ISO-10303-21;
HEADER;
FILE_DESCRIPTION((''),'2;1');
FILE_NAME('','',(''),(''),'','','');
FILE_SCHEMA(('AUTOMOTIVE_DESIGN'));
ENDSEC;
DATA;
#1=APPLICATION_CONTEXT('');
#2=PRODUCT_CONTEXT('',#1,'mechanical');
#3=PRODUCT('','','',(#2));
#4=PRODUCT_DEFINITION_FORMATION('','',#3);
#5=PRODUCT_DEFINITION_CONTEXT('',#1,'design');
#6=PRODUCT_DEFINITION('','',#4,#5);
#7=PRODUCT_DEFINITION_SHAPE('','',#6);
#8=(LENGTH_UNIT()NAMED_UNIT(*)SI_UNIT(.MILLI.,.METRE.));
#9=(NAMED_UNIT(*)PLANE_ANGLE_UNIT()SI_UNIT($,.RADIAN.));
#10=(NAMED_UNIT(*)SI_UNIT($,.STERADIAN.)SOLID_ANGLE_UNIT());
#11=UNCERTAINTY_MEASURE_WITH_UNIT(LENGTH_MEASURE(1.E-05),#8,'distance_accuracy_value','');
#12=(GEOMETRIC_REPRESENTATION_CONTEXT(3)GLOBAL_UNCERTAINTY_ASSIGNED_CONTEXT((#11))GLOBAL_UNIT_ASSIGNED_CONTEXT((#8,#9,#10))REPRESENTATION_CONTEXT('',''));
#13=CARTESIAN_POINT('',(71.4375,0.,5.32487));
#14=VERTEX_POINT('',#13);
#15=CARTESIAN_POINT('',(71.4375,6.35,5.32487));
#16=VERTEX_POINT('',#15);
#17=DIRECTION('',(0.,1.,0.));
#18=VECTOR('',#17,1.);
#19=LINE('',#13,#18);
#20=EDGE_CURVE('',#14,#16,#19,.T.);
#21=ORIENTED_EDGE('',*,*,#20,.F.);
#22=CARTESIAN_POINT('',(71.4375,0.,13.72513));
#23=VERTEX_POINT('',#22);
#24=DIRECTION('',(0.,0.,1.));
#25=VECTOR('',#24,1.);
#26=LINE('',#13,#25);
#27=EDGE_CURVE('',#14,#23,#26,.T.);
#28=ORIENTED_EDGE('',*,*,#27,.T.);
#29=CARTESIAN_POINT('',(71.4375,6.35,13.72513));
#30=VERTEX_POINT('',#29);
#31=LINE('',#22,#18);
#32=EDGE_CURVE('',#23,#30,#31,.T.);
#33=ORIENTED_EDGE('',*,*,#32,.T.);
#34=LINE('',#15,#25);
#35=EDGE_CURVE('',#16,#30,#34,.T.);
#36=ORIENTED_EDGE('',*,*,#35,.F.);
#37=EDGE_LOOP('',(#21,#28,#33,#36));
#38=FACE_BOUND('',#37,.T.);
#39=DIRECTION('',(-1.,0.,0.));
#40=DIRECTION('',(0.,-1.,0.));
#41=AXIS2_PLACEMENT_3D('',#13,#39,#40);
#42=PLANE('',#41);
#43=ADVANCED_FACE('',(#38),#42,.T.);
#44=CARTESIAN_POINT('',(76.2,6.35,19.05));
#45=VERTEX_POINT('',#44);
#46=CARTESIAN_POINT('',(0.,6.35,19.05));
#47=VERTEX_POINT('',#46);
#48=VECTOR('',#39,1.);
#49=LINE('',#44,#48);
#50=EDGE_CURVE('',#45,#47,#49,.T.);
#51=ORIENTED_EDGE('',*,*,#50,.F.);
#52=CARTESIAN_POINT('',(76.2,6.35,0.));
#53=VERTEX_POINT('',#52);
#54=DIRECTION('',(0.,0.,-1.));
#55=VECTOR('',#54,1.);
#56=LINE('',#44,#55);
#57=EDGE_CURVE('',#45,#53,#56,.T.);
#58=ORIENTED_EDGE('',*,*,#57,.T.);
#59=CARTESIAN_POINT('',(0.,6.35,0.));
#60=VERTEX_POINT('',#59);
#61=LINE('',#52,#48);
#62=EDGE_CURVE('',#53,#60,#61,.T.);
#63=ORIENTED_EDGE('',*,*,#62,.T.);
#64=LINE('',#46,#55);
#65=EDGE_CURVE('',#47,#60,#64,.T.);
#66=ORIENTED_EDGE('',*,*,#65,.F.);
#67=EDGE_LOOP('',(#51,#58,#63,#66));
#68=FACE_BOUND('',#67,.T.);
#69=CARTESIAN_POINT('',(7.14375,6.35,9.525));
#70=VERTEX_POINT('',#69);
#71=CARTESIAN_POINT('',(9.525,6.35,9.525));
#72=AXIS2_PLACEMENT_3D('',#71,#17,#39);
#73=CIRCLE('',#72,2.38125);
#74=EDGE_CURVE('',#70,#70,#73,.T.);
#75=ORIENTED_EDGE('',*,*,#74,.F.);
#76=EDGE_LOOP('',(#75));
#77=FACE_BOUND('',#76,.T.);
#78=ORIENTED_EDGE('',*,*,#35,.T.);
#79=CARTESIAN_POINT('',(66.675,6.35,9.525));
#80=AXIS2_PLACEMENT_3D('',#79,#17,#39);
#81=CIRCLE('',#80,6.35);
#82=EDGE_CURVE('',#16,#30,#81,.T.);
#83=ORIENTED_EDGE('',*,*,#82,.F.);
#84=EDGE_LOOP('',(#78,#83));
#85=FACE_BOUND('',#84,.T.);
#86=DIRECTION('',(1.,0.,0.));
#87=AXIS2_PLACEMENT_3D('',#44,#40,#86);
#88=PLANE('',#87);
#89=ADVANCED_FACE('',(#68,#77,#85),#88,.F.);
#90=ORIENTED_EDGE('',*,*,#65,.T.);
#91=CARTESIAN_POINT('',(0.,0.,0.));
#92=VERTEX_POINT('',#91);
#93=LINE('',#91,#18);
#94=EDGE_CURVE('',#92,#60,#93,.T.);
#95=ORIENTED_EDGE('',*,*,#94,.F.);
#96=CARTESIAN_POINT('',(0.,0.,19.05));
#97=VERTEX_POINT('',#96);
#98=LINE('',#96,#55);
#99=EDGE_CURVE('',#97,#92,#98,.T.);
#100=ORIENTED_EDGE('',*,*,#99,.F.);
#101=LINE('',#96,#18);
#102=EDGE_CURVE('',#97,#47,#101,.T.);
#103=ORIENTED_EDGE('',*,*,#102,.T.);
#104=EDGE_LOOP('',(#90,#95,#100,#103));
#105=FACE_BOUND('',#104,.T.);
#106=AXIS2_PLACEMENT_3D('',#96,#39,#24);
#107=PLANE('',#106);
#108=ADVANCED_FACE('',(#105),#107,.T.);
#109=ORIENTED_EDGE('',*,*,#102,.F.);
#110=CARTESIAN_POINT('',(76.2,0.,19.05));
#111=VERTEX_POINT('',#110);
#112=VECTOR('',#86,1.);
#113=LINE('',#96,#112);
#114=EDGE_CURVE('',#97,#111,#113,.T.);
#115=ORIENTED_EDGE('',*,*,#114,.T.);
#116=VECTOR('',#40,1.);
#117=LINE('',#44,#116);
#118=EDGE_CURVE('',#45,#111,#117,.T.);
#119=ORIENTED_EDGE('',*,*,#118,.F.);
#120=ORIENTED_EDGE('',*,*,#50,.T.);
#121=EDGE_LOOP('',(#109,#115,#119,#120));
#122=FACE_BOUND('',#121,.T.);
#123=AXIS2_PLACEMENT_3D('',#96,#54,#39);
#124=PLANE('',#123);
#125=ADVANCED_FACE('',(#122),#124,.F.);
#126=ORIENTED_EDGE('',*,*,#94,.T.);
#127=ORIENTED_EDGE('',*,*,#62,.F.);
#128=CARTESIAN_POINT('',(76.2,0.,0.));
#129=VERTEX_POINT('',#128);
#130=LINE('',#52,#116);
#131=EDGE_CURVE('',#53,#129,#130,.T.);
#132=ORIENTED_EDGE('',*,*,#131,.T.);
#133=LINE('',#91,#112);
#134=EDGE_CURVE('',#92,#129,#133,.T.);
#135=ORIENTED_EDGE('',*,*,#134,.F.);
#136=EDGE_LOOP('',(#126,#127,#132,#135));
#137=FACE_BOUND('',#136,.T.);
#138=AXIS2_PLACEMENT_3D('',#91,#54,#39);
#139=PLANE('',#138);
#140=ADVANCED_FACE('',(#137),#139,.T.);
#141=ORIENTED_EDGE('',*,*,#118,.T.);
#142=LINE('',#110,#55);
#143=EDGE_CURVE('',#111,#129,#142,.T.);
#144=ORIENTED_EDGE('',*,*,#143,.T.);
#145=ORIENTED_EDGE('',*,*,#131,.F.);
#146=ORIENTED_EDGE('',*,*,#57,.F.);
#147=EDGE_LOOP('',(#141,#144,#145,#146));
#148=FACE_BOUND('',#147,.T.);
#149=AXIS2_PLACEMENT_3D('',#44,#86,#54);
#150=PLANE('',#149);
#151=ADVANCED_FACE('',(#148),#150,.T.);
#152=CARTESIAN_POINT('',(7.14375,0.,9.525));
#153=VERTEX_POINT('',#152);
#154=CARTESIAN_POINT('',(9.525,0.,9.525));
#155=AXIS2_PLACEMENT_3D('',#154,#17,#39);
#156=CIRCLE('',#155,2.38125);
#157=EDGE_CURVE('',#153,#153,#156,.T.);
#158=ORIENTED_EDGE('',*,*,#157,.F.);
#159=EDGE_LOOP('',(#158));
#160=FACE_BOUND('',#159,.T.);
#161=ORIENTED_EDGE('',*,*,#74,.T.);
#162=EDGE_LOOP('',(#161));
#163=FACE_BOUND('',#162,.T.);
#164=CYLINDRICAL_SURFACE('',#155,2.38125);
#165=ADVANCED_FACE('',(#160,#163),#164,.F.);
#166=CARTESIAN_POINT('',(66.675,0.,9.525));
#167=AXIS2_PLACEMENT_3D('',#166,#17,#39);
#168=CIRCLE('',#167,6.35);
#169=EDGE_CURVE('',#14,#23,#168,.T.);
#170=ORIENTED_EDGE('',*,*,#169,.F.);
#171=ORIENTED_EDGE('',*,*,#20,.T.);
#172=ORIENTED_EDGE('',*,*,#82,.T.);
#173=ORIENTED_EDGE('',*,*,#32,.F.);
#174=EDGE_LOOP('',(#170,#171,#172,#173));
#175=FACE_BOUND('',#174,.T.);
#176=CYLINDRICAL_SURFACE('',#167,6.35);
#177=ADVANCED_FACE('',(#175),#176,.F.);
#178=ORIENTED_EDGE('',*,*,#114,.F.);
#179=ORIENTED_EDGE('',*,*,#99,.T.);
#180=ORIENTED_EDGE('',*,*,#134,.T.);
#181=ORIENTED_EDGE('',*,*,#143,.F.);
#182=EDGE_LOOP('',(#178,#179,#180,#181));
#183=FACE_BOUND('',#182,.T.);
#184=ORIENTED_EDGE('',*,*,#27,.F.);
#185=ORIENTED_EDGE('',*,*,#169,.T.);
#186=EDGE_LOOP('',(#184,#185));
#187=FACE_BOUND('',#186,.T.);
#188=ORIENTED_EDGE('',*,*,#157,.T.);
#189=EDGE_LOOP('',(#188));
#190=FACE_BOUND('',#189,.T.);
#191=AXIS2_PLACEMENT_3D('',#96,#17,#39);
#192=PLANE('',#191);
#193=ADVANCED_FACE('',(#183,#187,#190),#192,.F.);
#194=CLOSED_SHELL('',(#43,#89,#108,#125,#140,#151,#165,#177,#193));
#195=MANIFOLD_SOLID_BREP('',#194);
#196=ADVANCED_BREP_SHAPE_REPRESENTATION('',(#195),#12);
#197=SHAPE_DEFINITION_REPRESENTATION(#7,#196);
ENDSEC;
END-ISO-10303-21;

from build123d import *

# Parameters (mm, degrees)
SKETCH1_W          = 76.2
SKETCH1_H          = 6.35
BASE_EXTRUDE_DEPTH = 19.05
CUT_EXTRUDE1_DEPTH = 7.35
SKETCH3_R          = 2.38125
CUT_EXTRUDE2_DEPTH = 7.35


with BuildPart() as part:
    # Sketch1 → Base-Extrude (new body)
    with BuildSketch(Plane.XY):
        with Locations((38.1, 3.175)):
            Rectangle(SKETCH1_W, SKETCH1_H)
    extrude(amount=BASE_EXTRUDE_DEPTH)

    # Sketch2 → Cut-Extrude1 (cut, through all)
    with BuildSketch(Plane(origin=(0, 6.35, 0), x_dir=(-1, 0, 0), z_dir=(0, 1, 0))):
        with BuildLine():
            Line((-71.4375, 5.324869794), (-71.4375, 13.725130206))
            ThreePointArc((-71.4375, 13.725130206), (-60.325, 9.525), (-71.4375, 5.324869794))
        make_face()
    extrude(amount=-CUT_EXTRUDE1_DEPTH, mode=Mode.SUBTRACT)

    # Sketch3 → Cut-Extrude2 (cut, through all)
    with BuildSketch(Plane(origin=(0, 6.35, 0), x_dir=(-1, 0, 0), z_dir=(0, 1, 0))):
        with Locations((-9.525, 9.525)):
            Circle(SKETCH3_R)
    extrude(amount=-CUT_EXTRUDE2_DEPTH, mode=Mode.SUBTRACT)


solid = part.part
